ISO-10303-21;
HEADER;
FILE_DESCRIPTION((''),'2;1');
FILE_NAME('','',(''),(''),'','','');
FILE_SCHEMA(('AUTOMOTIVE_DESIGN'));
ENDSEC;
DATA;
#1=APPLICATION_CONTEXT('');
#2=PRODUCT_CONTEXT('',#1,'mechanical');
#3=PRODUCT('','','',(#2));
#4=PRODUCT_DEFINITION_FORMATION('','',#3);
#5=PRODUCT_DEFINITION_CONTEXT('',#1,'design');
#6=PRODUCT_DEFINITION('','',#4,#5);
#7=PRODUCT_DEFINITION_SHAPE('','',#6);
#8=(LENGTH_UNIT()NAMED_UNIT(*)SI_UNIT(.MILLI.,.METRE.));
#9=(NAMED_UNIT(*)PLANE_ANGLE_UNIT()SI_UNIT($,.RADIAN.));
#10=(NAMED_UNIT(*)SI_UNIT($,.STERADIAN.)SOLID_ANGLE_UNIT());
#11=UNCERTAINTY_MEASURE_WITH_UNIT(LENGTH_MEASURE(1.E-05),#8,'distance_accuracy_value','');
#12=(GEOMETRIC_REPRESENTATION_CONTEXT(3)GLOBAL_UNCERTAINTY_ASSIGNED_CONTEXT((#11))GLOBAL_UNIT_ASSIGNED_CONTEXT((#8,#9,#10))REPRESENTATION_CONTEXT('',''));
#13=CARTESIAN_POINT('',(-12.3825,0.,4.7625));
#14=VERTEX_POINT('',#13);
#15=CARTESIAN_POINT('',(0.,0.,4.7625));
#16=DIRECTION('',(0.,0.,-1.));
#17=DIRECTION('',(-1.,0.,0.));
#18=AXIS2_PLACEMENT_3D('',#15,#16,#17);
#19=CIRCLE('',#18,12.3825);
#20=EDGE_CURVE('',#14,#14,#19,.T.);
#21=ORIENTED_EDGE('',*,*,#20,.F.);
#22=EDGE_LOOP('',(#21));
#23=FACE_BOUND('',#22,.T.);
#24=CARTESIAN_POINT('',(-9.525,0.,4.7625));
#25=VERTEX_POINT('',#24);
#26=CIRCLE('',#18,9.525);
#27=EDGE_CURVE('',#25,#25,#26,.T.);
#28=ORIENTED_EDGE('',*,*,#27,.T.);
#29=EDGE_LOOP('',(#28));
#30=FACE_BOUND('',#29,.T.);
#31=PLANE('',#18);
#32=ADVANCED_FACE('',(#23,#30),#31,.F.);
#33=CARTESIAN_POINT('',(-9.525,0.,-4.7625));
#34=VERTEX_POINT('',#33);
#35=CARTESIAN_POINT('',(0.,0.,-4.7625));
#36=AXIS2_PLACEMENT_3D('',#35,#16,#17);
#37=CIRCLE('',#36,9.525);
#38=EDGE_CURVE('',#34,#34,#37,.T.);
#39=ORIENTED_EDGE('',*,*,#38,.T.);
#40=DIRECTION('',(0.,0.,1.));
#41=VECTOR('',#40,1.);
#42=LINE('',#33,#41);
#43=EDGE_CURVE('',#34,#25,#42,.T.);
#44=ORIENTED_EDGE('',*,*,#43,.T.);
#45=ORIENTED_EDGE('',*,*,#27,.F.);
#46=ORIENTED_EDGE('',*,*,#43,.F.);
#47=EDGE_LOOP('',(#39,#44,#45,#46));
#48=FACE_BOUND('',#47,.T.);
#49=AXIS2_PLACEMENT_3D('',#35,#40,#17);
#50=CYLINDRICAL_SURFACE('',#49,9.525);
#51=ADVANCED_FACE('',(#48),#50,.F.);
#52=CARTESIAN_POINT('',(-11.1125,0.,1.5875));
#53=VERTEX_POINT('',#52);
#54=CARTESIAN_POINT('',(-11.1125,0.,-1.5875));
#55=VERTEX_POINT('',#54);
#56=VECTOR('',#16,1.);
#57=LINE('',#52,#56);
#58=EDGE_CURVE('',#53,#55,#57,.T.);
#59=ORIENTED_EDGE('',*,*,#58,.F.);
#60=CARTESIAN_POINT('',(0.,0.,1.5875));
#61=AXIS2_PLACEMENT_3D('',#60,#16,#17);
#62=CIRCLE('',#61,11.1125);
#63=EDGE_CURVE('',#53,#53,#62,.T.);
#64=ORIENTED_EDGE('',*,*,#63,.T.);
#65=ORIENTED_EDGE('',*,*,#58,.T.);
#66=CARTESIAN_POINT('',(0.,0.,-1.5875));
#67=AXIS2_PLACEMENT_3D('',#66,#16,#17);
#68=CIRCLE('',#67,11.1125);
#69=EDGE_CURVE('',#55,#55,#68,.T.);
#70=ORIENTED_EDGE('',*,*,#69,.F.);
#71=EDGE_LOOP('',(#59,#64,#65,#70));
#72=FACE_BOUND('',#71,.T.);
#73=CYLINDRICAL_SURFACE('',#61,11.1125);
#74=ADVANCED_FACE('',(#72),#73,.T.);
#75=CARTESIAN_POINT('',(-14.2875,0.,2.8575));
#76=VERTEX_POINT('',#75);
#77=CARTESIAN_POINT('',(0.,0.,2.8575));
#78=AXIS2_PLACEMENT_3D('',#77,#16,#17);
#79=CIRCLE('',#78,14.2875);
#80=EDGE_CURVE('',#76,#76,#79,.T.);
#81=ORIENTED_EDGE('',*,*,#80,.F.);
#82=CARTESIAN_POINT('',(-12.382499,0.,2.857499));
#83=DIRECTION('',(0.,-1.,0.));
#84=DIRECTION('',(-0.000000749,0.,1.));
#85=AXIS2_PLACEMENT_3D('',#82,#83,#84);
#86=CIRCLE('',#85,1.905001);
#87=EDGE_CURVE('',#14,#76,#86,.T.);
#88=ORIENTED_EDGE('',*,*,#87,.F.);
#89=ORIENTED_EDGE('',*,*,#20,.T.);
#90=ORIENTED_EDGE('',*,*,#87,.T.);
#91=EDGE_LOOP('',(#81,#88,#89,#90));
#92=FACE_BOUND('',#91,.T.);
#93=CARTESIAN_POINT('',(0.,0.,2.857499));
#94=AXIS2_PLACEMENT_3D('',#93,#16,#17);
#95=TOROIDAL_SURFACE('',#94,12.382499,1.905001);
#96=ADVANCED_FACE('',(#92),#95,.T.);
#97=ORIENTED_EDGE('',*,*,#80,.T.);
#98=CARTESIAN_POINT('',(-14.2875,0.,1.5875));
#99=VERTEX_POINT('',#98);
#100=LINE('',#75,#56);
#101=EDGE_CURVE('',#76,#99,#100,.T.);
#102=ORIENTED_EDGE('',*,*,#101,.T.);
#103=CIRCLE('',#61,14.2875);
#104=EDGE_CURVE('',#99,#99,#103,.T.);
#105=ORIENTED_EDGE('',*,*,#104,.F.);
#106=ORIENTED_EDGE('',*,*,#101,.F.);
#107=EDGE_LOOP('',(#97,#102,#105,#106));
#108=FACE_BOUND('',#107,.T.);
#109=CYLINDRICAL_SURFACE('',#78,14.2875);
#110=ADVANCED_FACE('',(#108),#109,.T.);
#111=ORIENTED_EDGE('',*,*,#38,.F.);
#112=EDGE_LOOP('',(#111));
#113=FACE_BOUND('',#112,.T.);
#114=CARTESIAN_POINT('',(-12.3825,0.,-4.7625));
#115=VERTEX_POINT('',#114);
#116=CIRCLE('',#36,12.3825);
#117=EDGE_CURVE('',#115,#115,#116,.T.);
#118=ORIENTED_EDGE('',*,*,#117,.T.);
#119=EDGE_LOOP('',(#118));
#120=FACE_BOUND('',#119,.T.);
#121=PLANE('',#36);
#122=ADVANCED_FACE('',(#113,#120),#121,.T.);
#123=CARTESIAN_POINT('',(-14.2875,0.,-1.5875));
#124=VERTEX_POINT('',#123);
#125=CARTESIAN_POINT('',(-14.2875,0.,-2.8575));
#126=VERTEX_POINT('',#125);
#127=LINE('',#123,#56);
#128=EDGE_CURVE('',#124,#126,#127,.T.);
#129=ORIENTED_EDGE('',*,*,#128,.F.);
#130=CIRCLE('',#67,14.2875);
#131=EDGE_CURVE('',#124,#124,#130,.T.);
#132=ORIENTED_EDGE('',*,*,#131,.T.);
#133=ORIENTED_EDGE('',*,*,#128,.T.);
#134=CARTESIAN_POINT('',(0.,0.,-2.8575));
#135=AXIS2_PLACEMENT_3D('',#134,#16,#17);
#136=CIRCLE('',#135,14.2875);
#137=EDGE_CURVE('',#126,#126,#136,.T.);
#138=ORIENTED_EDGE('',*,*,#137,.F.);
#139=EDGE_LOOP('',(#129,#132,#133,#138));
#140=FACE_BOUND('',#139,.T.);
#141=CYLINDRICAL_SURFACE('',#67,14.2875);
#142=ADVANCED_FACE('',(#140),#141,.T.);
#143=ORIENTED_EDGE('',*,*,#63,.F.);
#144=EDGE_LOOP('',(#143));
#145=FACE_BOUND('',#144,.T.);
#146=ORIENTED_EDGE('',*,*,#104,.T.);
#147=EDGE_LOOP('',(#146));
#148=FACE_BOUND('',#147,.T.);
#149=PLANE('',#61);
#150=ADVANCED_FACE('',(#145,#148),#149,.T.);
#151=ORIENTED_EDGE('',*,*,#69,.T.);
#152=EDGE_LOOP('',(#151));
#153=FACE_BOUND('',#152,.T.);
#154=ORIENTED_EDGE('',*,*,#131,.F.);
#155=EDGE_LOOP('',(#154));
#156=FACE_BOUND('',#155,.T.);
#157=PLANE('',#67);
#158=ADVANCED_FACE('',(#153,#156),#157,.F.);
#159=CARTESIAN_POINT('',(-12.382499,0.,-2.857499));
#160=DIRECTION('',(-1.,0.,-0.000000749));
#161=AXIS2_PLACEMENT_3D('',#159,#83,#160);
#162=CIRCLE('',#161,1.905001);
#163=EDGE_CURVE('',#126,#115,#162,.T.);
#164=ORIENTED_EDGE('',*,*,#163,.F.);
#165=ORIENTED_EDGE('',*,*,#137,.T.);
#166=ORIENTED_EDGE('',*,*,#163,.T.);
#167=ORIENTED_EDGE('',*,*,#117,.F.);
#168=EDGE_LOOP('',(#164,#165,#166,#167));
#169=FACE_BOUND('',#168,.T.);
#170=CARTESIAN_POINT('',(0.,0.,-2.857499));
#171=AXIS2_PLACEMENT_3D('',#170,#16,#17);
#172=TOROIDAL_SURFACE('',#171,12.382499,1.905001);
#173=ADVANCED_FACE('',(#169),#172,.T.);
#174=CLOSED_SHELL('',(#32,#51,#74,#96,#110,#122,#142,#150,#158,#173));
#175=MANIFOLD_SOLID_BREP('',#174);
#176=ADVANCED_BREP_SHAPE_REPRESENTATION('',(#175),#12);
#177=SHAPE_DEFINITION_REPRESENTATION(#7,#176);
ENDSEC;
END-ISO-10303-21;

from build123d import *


with BuildPart() as f1:
    # F0 (on Front) → F1 (revolve)
    with BuildSketch(Plane.XZ):
        with BuildLine():
            Line((-9.525, 4.7625), (-12.3825, 4.7625))
            ThreePointArc((-12.3825, 4.7625), (-13.729538, 4.204538), (-14.2875, 2.8575))
            Line((-14.2875, 2.8575), (-14.2875, 1.5875))
            Line((-14.2875, 1.5875), (-11.1125, 1.5875))
            Line((-11.1125, 1.5875), (-11.1125, -1.5875))
            Line((-11.1125, -1.5875), (-14.2875, -1.5875))
            Line((-14.2875, -1.5875), (-14.2875, -2.8575))
            ThreePointArc((-14.2875, -2.8575), (-13.729538, -4.204538), (-12.3825, -4.7625))
            Line((-12.3825, -4.7625), (-9.525, -4.7625))
            Line((-9.525, -4.7625), (-9.525, 4.7625))
        make_face()
    revolve(axis=Axis((0, 0, -0.259772), (0, 0, -1)))


solid = f1.part
